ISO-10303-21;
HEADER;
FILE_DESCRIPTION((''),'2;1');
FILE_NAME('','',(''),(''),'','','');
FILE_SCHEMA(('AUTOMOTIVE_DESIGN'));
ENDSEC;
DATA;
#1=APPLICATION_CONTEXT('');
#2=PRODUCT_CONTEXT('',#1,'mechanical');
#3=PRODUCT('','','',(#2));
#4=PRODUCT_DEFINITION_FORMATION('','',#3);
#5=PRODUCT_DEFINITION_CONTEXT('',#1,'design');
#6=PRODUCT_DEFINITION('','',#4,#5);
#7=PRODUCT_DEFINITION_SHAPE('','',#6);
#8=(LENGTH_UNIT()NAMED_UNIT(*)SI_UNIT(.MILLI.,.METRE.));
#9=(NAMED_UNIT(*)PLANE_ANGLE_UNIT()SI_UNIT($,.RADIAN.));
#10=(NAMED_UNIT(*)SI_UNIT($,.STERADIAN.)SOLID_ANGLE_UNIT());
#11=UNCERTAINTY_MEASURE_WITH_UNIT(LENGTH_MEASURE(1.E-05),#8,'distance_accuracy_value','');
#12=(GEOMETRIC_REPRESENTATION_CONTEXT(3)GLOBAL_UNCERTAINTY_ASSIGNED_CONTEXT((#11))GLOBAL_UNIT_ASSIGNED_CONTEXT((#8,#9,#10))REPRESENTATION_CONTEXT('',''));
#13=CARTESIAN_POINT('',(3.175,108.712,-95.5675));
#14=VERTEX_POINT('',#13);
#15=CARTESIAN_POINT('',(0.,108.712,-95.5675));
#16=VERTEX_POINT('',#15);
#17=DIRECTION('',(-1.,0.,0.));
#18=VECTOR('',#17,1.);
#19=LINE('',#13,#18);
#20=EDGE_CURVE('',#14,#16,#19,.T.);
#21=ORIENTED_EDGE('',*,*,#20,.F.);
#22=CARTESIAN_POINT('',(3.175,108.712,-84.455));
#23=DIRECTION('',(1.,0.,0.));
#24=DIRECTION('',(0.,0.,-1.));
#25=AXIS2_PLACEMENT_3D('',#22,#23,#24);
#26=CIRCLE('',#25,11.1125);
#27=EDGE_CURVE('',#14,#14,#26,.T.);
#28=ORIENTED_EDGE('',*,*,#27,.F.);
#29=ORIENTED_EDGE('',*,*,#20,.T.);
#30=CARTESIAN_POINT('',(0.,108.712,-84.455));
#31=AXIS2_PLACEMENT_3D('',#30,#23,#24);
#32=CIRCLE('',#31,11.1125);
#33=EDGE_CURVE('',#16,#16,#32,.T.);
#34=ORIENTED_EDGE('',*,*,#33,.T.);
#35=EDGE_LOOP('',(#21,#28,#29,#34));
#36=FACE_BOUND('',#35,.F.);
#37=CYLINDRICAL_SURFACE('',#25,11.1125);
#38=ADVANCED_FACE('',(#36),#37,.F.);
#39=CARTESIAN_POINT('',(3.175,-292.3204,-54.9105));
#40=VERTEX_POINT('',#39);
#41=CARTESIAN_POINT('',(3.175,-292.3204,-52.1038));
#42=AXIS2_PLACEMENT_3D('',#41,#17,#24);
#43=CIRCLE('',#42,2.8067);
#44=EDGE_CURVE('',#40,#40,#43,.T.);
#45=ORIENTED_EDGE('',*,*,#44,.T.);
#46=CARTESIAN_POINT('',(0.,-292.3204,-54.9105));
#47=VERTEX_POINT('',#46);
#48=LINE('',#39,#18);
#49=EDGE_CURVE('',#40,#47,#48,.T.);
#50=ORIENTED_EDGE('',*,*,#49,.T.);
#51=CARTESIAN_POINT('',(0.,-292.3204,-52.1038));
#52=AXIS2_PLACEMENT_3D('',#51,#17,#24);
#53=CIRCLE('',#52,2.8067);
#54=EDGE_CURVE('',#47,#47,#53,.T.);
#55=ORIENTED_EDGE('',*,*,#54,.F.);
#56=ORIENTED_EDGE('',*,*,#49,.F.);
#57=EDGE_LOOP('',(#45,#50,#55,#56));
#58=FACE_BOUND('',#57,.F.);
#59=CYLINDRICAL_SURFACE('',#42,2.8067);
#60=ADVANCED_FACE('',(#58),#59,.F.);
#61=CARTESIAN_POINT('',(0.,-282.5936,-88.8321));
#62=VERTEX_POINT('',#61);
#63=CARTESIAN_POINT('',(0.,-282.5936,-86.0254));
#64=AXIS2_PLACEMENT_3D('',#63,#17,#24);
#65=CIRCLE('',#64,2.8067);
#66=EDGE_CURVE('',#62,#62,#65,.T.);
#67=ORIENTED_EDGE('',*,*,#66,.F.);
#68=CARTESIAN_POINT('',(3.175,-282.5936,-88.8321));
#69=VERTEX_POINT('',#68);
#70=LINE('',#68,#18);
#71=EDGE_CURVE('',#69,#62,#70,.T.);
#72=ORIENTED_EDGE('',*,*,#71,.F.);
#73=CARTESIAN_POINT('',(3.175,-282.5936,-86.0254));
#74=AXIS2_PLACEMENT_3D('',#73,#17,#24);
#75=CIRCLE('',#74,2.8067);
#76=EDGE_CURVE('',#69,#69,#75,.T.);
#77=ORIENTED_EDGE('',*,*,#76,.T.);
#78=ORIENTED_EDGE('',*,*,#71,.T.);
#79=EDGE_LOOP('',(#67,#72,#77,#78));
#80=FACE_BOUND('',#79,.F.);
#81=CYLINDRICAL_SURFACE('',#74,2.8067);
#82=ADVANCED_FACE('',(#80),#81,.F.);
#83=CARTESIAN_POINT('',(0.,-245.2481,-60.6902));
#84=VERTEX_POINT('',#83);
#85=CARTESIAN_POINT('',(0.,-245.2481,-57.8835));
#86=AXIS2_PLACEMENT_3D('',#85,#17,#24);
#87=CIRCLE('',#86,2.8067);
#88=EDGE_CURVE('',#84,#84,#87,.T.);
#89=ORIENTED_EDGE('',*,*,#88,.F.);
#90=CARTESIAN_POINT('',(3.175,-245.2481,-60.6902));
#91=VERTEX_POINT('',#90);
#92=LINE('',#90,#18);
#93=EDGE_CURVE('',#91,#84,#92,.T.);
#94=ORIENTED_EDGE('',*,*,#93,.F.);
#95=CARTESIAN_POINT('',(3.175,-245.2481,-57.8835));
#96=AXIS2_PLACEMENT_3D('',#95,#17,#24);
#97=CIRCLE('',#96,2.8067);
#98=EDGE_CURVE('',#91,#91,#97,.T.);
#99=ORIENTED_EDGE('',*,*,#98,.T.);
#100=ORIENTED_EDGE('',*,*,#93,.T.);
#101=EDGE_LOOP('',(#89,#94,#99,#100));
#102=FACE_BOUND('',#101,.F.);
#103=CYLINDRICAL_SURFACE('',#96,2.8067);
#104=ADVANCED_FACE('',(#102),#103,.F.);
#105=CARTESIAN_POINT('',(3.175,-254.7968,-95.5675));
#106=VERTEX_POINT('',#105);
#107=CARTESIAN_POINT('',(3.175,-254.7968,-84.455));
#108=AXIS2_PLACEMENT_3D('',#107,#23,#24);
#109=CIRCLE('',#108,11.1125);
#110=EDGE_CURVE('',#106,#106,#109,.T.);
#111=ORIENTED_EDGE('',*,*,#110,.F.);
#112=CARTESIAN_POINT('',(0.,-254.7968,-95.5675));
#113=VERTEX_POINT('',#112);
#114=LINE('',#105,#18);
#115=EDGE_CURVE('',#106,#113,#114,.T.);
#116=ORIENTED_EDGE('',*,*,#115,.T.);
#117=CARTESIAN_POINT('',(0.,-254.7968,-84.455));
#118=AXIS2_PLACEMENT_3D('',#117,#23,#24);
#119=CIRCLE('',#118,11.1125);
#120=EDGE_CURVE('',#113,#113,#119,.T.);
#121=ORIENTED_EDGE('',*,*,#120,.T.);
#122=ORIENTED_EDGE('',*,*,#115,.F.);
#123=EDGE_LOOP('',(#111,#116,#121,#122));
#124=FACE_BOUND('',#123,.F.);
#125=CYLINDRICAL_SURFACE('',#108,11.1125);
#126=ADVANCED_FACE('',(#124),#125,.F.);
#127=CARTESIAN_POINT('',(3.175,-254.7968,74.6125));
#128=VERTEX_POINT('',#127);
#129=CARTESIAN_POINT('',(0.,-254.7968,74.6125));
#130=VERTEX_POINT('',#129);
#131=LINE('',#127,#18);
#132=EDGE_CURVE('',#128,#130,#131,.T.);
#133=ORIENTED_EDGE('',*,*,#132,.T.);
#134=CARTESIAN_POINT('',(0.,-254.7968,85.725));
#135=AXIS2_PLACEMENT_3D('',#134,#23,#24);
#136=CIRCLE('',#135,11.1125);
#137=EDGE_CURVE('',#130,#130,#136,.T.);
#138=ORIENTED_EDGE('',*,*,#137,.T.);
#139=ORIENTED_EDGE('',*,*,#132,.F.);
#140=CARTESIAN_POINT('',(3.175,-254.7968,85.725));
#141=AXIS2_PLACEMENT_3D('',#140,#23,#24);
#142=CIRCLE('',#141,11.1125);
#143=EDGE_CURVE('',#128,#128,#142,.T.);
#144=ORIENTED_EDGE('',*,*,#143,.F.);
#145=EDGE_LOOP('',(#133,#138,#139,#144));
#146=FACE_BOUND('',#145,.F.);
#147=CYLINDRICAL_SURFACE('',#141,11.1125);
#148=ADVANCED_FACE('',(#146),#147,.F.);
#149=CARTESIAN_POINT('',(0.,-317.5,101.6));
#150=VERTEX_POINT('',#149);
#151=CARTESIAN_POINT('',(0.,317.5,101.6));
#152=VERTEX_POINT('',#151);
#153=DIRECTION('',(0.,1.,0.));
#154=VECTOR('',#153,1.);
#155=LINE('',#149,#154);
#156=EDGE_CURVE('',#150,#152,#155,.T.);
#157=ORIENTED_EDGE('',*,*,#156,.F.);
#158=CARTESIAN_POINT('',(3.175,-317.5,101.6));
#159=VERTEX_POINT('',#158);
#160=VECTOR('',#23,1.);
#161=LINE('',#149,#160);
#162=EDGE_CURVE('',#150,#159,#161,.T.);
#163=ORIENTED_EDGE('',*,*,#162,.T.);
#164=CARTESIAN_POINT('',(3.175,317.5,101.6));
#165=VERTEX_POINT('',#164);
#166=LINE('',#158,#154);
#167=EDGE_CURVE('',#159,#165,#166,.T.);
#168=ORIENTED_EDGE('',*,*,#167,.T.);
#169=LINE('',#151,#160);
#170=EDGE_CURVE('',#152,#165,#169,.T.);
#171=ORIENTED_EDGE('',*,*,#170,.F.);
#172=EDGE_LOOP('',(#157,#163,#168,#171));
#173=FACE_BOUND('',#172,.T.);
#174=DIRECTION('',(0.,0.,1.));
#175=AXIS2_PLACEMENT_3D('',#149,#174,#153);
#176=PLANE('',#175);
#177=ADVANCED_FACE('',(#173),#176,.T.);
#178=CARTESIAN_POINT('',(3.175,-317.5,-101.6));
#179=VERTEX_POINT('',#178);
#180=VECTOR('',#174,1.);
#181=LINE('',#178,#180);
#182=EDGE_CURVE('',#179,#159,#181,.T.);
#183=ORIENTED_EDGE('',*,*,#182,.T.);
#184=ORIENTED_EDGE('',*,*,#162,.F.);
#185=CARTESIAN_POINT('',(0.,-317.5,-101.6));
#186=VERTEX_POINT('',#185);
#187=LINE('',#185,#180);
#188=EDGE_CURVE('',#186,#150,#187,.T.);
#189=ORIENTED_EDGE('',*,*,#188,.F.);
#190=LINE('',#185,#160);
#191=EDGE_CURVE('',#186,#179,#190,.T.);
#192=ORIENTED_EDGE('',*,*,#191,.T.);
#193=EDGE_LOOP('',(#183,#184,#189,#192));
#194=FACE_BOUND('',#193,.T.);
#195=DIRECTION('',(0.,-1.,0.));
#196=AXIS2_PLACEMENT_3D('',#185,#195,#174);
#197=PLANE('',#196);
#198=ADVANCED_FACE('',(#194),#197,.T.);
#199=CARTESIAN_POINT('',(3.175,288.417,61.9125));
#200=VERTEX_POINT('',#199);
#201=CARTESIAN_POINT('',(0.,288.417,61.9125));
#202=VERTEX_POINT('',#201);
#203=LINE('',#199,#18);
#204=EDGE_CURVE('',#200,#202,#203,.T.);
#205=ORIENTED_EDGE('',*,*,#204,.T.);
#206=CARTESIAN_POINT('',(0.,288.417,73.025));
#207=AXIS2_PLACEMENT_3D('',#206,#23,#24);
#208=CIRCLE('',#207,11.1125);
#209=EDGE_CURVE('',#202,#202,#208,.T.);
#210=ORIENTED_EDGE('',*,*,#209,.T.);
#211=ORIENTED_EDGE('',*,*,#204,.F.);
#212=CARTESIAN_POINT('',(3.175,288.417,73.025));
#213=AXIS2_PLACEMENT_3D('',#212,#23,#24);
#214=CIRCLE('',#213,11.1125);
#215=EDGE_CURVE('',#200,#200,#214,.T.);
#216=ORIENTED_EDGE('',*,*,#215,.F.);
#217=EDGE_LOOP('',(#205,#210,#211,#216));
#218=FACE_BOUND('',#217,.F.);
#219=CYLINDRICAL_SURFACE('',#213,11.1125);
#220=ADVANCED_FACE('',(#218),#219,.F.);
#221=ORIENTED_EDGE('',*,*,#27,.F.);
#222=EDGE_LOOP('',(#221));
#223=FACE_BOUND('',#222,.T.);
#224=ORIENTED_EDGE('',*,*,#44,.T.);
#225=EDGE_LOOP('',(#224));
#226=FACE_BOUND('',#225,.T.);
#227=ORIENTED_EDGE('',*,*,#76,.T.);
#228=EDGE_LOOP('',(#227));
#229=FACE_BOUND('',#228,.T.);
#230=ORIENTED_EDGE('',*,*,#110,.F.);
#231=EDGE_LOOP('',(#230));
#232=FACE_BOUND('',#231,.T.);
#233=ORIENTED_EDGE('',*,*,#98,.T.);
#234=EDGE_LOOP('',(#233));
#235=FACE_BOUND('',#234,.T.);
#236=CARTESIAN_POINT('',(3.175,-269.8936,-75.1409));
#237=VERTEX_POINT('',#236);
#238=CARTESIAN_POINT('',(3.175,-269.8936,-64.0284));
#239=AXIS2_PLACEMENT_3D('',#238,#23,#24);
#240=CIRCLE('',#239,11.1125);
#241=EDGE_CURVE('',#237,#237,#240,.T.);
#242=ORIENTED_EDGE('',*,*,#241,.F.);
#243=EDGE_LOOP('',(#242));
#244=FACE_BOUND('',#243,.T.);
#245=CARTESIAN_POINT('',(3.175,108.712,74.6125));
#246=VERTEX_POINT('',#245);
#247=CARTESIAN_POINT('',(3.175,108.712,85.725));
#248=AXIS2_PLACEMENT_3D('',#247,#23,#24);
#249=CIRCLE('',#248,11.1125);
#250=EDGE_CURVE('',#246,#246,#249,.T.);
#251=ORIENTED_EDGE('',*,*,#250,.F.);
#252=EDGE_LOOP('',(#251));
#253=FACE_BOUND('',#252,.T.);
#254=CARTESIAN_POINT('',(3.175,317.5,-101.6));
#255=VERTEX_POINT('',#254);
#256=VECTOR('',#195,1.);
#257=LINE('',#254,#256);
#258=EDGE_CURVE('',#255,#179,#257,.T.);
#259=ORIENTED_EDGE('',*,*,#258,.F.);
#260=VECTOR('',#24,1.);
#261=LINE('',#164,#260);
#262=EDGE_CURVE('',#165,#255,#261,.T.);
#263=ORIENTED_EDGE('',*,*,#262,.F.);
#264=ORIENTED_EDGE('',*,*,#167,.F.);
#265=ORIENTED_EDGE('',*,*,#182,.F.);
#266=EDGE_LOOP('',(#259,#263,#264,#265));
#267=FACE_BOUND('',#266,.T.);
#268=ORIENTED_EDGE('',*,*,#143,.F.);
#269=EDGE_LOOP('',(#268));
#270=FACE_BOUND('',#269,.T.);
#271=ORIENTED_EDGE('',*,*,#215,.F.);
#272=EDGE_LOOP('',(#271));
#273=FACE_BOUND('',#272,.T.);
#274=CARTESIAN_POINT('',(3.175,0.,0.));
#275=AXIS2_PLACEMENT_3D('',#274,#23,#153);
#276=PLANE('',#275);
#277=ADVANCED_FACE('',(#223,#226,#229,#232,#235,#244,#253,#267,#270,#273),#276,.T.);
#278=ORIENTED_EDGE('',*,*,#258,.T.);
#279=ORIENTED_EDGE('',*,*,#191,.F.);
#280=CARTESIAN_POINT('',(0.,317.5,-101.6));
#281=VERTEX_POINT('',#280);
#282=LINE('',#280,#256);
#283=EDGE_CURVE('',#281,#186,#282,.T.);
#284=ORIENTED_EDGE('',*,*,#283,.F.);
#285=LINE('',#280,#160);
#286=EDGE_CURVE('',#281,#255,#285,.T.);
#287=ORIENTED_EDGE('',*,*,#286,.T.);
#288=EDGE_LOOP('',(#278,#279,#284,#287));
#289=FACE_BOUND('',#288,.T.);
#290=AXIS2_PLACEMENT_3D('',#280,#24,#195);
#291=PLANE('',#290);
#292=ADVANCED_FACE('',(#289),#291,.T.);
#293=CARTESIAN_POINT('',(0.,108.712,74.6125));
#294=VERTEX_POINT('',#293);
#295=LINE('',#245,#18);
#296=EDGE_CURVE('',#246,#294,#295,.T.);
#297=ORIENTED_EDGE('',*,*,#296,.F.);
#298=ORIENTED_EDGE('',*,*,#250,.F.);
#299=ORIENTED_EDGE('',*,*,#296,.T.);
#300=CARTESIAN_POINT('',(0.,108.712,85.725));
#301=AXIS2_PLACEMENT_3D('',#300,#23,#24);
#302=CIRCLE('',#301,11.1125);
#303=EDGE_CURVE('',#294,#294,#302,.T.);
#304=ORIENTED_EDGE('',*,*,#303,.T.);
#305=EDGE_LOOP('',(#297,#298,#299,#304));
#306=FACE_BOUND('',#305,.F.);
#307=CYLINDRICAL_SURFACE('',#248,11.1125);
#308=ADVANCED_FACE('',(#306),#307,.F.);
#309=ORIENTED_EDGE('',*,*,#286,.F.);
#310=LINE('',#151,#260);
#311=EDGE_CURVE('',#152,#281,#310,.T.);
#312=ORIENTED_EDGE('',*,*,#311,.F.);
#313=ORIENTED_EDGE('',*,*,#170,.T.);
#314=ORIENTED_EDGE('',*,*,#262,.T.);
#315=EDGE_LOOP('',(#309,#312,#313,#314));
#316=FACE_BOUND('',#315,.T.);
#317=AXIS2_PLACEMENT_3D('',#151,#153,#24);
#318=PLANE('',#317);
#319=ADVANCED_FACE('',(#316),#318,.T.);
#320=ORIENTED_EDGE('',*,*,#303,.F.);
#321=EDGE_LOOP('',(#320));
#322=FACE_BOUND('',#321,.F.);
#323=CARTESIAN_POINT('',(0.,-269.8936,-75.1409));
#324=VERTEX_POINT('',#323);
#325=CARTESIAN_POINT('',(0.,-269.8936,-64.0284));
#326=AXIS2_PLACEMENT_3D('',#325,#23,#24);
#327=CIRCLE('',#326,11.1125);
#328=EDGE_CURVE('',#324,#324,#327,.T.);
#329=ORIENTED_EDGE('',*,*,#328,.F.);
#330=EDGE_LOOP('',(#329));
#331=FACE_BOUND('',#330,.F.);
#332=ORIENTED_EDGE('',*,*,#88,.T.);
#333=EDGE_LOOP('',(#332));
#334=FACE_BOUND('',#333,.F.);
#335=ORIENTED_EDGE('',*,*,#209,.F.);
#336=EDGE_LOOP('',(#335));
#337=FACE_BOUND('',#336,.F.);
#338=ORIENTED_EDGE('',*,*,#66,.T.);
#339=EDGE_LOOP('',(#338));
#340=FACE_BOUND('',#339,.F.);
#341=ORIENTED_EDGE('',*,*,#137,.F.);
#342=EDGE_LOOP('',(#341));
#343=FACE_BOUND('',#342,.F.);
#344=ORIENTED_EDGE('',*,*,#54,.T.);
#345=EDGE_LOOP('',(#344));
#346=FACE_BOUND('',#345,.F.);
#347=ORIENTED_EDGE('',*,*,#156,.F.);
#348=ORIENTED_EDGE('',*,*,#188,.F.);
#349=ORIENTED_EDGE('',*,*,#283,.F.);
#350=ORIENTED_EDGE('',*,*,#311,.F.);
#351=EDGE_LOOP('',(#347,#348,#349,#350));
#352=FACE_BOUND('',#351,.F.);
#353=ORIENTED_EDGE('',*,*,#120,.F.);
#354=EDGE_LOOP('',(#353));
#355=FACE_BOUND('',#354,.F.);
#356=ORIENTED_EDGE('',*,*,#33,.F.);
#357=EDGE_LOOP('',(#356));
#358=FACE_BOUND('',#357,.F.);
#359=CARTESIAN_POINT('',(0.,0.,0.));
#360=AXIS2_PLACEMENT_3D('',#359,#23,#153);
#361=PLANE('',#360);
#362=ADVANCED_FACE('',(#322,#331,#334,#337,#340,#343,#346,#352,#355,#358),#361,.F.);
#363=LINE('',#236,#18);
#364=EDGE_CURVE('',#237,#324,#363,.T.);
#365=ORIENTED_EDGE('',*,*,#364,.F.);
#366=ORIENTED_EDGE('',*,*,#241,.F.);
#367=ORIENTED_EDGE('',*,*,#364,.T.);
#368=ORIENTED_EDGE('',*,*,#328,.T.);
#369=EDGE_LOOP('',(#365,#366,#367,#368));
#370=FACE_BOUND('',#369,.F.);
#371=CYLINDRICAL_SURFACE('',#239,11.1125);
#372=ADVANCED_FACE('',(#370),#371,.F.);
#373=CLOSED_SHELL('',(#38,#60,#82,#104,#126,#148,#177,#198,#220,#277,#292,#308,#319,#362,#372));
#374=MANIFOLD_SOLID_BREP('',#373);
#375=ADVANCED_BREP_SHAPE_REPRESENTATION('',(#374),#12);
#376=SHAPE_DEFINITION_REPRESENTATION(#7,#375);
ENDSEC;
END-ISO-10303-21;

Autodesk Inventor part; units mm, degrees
ref_plane "YZ Plane" through (0, 0, 0) normal (1, 0, 0) x (0, 1, 0)
ref_plane "XZ Plane" through (0, 0, 0) normal (0, 1, 0) x (-1, 0, 0)
ref_plane "XY Plane" through (0, 0, 0) normal (0, 0, 1) x (1, 0, 0)
sketch "Sketch1" plane through (0, 0, 0) normal (1, 0, 0) x (0, 1, 0)
  line L0 (-317.5, 101.6) -> (317.5, 101.6)
  line L1 (317.5, 101.6) -> (317.5, -101.6)
  line L2 (317.5, -101.6) -> (-317.5, -101.6)
  line L3 (-317.5, -101.6) -> (-317.5, 101.6)
  line L4 (-317.5, 101.6) -> (317.5, -101.6) construction
  line L5 (317.5, 101.6) -> (-317.5, -101.6) construction
  point P0 (0, 0)
  dimension "d0" = 635
  dimension "d1" = 203.2
extrude "Plate1" add sketch "Sketch1" along normal blind 3.175
sketch "Sketch2" plane through (3.175, 0, 0) normal (1, 0, 0) x (0, 0, -1)
  circle A0 centre (-85.725, -254.7968) radius 11.1125
  circle A1 centre (84.455, -254.7968) radius 11.1125
  circle A2 centre (-85.725, 108.712) radius 11.1125
  circle A3 centre (84.455, 108.712) radius 11.1125
  circle A4 centre (-85.725, -254.7968) radius 11.938 construction
  circle A5 centre (84.455, -254.7968) radius 11.938 construction
  circle A6 centre (84.455, 108.712) radius 11.938 construction
  circle A7 centre (-85.725, 108.712) radius 11.938 construction
  line L0 (-101.6, -317.5) -> (-101.6, 317.5) projected
  circle A8 centre (64.0284, -269.8936) radius 12.7 construction
  circle A9 centre (64.0284, -269.8936) radius 11.1125
  point P0 (0, 0)
  point P1 (-138.1252, 190.5)
  dimension "d3" = 22.225
  dimension "d6" = 23.876
  dimension "d7" = 170.18
  dimension "d8" = 15.875
  dimension "d9" = 363.5088
  dimension "d10" = 81.788
  dimension "d11" = 25.4
  dimension "d12" = 25.4
  dimension "d13" = 150.5124
extrude "Cut1" cut sketch "Sketch2" against normal blind 3.175
sketch "Sketch3" plane through (3.175, 0, 0) normal (1, 0, 0) x (0, 0, -1)
  line L0 (-101.6, 269.875) -> (-101.6, 111.125) projected
  circle A0 centre (-73.025, 288.417) radius 11.1125
  point P0 (0, 0)
  point P1 (-101.6, 190.5)
  dimension "d16" = 22.225
  dimension "d17" = 97.917
  dimension "d18" = 28.575
extrude "Cut2" cut sketch "Sketch3" against normal blind 3.175
sketch "Sketch4" plane through (3.175, 0, 0) normal (1, 0, 0) x (0, 0, -1)
  circle A0 centre (64.0284, -269.8936) radius 11.1125 construction
  line L0 (64.0284, -269.8936) -> (57.8835, -245.2481) construction
  line L1 (64.0284, -269.8936) -> (52.1038, -292.3204) construction
  line L2 (64.0284, -269.8936) -> (86.0254, -282.5936) construction
  line L3 (64.0284, -269.8936) -> (64.0284, -241.3632) construction
  point P0 (0, 0)
  dimension "d21" = 25.4
  dimension "d22" = 14
  dimension "d23" = 28
  dimension "d24" = 60
hole "Hole1" at (3.175, -245.2481, -57.8835) at (3.175, -292.3204, -52.1038) at (3.175, -282.5936, -86.0254) direction (-1, 0, 0) diameter 5.6134 depth 3.175 tip angle 118 clearance for "Flat Head Machine Screw (82)" size "#10" standard "Ansi Unified Screw Threads"
equation "\"d14\" = Thickness"
equation "\"d19\" = Thickness"
equation "\"d30\" = Thickness"
equation "\"d2\" = Thickness"
equation "\"BendRadius\" = Thickness"
equation "\"BendReliefWidth\" = Thickness"
equation "\"BendReliefDepth\" = 0.5 * Thickness"
equation "\"CornerReliefSize\" = 4 * Thickness"
equation "\"MinimumRemnant\" = 2 * Thickness"
equation "\"TransitionRadius\" = BendRadius"
equation "\"JacobiRadiusSize\" = BendRadius"
equation "\"GapSize\" = Thickness"
equation "\"Thickness\" = 3.175"
properties part number "PLATE,BACK" material "Aluminum 6061"
